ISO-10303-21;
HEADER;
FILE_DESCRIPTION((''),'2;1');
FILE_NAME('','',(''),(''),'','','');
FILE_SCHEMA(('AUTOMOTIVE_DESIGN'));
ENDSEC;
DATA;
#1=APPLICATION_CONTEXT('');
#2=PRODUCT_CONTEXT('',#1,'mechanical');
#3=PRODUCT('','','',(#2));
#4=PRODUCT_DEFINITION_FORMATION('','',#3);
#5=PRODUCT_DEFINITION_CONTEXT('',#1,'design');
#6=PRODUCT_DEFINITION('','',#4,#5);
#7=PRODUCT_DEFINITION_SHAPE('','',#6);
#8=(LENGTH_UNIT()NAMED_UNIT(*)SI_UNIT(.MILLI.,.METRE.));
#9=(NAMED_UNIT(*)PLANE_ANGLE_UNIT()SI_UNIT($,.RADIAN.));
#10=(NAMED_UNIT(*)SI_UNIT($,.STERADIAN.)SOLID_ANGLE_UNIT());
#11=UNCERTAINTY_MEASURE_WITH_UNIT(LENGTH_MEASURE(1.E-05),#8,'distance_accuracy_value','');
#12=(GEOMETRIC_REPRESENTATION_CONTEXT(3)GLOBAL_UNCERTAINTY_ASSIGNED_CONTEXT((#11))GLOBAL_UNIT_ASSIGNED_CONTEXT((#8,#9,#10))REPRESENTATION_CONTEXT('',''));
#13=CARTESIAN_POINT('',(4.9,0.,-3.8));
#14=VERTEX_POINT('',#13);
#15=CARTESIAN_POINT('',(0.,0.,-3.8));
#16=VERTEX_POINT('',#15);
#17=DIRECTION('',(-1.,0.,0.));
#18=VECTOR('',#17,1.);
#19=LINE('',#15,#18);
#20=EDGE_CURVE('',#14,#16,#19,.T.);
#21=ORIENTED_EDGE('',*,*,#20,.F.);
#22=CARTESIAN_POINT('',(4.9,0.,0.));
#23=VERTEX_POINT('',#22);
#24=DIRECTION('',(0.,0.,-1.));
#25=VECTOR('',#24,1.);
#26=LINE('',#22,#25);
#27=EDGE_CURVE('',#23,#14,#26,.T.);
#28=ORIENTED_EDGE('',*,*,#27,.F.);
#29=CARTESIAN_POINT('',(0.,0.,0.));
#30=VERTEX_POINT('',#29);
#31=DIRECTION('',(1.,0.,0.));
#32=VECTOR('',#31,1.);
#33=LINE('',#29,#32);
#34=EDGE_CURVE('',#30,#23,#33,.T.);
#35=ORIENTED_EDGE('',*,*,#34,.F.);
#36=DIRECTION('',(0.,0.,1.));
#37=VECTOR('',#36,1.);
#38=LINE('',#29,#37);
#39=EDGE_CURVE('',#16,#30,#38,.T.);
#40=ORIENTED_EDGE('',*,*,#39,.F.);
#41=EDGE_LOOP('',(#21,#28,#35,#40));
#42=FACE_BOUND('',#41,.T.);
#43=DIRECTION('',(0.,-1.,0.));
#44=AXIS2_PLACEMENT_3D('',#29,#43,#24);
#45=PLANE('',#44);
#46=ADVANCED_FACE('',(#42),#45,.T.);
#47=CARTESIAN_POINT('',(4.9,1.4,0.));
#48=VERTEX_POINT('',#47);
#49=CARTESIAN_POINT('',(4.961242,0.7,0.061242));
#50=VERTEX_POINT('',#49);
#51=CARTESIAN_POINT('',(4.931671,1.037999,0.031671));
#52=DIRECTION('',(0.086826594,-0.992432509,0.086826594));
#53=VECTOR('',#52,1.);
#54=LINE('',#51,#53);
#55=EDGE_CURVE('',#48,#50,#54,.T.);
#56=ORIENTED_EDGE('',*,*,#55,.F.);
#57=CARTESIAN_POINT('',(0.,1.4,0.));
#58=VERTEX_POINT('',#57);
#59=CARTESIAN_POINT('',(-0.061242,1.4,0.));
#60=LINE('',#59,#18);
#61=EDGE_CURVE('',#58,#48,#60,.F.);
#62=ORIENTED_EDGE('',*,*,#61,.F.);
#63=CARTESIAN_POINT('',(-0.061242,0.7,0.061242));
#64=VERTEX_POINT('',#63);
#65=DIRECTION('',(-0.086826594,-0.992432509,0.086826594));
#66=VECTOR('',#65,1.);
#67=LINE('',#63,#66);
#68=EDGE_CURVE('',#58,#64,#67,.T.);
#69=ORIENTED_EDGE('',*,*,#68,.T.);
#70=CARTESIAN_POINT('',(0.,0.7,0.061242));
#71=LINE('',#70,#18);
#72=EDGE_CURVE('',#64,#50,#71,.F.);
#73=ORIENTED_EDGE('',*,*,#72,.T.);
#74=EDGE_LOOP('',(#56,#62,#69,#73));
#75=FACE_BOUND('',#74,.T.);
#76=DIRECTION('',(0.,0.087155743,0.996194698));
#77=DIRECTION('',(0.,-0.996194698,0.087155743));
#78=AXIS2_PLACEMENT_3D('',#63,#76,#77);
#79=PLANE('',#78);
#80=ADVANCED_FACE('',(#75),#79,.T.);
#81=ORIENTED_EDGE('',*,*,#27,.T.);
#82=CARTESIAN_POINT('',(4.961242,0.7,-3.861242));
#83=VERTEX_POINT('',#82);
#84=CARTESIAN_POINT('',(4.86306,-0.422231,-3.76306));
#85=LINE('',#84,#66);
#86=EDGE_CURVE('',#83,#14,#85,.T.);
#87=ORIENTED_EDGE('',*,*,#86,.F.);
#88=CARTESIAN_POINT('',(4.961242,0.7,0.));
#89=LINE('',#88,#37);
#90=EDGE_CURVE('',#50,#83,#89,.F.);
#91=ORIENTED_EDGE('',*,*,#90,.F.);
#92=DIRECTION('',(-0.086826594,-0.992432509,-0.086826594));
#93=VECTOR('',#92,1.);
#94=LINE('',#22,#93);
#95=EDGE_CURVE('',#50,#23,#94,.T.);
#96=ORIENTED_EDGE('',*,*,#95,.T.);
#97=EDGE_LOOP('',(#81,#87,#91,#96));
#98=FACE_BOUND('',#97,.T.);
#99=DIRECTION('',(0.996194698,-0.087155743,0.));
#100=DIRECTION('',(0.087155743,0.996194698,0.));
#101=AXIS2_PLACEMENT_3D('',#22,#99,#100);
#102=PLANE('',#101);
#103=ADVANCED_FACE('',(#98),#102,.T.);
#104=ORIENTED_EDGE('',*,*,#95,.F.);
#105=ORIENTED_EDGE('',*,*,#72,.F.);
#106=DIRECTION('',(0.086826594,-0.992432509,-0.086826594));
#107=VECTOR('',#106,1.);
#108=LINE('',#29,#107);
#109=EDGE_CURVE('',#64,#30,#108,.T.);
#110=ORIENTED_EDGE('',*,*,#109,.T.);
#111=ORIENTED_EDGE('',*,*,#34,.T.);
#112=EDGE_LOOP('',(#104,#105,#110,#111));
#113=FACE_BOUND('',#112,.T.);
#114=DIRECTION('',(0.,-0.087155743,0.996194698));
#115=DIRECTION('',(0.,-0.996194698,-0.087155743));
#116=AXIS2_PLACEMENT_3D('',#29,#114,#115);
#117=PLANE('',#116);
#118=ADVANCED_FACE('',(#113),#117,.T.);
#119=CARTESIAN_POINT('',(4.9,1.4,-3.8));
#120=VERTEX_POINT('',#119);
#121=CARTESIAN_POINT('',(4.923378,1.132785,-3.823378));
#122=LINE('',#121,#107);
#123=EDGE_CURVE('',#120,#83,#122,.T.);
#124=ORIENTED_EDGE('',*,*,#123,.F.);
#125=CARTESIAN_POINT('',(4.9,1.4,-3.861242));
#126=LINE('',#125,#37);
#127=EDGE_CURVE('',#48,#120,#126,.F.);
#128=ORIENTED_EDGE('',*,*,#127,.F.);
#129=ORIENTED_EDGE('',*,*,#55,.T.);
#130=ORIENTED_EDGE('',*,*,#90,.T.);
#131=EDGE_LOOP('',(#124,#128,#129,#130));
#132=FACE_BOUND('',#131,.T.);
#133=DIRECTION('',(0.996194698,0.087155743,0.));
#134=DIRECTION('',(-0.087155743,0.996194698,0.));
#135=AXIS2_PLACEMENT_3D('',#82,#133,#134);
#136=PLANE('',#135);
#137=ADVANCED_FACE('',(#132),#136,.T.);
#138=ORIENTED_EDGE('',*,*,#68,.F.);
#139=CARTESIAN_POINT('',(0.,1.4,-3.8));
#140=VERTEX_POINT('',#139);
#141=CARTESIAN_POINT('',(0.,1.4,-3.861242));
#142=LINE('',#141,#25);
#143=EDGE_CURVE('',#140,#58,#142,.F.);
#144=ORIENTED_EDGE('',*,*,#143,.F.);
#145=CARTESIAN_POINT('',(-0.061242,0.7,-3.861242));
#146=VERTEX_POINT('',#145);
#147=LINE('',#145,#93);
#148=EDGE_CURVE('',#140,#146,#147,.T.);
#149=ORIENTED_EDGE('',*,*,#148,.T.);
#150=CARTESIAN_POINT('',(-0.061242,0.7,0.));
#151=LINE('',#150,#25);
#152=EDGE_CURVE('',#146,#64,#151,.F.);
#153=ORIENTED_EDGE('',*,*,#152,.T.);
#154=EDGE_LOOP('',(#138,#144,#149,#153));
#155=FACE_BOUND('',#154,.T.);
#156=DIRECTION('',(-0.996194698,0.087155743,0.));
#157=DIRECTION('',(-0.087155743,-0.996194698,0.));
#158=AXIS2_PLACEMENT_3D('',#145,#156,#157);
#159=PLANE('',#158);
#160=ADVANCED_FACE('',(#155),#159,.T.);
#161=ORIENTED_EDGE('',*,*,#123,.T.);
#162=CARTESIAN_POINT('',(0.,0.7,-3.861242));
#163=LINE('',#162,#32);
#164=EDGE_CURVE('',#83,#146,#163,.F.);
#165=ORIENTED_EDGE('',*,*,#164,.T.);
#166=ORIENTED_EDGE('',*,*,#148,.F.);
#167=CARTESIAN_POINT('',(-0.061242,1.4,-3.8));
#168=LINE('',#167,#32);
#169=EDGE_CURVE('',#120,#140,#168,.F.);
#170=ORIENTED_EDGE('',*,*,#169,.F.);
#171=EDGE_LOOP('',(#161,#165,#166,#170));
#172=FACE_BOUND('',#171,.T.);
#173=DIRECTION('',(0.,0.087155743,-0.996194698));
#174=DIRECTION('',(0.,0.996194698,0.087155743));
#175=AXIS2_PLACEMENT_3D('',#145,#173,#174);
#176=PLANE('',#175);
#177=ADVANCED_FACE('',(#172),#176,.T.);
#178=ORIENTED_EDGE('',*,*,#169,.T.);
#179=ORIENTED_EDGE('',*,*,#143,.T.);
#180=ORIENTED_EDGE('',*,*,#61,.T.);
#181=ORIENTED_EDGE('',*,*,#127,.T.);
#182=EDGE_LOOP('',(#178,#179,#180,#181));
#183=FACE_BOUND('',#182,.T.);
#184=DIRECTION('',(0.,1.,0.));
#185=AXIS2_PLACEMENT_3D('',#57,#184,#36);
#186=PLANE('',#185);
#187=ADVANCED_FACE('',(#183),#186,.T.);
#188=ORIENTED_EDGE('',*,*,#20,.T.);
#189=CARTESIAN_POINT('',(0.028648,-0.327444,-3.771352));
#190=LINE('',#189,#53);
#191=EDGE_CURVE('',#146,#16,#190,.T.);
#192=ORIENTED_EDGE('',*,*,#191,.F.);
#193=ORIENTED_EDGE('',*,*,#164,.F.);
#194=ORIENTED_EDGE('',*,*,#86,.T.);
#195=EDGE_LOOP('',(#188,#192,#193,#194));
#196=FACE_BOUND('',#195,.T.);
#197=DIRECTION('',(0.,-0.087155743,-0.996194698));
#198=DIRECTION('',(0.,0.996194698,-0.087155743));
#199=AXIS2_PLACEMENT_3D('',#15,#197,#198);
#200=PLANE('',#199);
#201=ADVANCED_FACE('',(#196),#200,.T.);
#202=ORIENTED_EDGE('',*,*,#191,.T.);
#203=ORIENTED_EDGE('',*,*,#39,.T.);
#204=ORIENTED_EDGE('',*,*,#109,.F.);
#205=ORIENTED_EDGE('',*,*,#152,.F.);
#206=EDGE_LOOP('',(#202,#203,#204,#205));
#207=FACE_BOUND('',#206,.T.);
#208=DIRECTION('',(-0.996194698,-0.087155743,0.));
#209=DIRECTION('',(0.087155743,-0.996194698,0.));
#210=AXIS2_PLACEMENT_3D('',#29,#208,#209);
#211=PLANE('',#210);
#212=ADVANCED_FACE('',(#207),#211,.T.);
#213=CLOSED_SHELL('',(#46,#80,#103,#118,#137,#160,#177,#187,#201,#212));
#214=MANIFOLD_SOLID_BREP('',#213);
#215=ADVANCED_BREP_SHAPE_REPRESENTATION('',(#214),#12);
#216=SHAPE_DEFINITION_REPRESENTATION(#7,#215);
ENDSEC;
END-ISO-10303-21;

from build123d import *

# Parameters (mm, degrees)
ESQUISSE1_W        = 4.9
ESQUISSE1_H        = 3.8
BOSS_EXTRU_1_DEPTH = 0.7
BOSS_EXTRU_1_TAPER = -5
ESQUISSE2_W        = 5.022484128
ESQUISSE2_H        = 3.922484128
BOSS_EXTRU_2_DEPTH = 0.7
BOSS_EXTRU_2_TAPER = 5


with BuildPart() as part:
    # Esquisse1 → Boss.-Extru.1 (new body)
    with BuildSketch(Plane(origin=(0, 0, 0), x_dir=(1, 0, 0), z_dir=(0, 1, 0))):
        with Locations((2.45, 1.9)):
            Rectangle(ESQUISSE1_W, ESQUISSE1_H)
    extrude(amount=BOSS_EXTRU_1_DEPTH, taper=BOSS_EXTRU_1_TAPER)

    # Esquisse2 → Boss.-Extru.2 (add)
    with BuildSketch(Plane(origin=(0, 0.7, 0), x_dir=(1, 0, 0), z_dir=(0, 1, 0))):
        with Locations((2.45, 1.9)):
            Rectangle(ESQUISSE2_W, ESQUISSE2_H)
    extrude(amount=BOSS_EXTRU_2_DEPTH, taper=BOSS_EXTRU_2_TAPER)


solid = part.part
